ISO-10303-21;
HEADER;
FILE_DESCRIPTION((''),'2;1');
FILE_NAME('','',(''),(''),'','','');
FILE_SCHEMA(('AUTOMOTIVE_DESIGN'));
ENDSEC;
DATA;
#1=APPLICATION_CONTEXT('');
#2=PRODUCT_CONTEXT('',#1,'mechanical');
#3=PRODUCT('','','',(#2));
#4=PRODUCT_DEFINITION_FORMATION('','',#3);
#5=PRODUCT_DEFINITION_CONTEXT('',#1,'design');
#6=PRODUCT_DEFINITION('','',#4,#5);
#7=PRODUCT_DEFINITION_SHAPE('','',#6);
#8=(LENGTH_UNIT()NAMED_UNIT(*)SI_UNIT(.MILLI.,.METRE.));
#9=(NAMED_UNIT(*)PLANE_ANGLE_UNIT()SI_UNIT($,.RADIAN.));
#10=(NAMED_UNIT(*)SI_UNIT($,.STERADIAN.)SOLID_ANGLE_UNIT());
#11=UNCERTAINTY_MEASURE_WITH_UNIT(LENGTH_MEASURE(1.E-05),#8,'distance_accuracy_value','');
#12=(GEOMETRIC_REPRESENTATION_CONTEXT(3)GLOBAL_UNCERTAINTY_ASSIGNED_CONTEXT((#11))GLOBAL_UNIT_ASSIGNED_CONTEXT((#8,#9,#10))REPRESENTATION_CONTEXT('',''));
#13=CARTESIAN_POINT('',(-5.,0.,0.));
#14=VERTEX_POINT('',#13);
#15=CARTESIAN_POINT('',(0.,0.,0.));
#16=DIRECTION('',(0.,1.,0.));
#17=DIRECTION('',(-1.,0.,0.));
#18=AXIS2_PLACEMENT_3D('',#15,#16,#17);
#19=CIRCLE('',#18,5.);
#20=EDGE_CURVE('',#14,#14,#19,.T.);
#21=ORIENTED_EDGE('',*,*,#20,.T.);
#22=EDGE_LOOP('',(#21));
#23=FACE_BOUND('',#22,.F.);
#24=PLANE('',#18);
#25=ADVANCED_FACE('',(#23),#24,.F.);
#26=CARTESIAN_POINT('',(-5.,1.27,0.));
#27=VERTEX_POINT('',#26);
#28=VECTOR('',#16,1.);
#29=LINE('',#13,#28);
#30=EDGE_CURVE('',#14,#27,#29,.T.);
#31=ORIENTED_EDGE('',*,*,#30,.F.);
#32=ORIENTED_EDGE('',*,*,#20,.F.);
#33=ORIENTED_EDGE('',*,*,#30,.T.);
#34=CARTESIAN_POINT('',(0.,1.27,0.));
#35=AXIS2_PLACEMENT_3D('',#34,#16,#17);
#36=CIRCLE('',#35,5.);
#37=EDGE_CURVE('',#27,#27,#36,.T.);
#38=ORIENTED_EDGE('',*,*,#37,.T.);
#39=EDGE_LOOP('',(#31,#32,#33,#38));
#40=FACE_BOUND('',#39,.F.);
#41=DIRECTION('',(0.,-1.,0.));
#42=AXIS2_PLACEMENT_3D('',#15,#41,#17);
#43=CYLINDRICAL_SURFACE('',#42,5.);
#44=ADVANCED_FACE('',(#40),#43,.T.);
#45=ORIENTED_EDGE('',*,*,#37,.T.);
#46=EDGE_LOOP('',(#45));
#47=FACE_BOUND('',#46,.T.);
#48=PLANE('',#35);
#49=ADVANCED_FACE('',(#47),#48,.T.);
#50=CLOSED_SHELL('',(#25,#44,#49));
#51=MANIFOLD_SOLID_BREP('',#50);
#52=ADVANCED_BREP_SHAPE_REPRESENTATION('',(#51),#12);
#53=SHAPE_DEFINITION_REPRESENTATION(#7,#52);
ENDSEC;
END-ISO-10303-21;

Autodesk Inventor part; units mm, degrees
ref_plane "YZ Plane" through (0, 0, 0) normal (1, 0, 0) x (0, 1, 0)
ref_plane "XZ Plane" through (0, 0, 0) normal (0, 1, 0) x (-1, 0, 0)
ref_plane "XY Plane" through (0, 0, 0) normal (0, 0, 1) x (1, 0, 0)
sketch "Sketch1" plane through (0, 0, 0) normal (0, 1, 0) x (-1, 0, 0)
  circle A0 centre (0, 0) radius 5
  dimension "d0" = 10
extrude "Extrusion1" add sketch "Sketch1" along normal blind 1.27
properties part number "eye"
